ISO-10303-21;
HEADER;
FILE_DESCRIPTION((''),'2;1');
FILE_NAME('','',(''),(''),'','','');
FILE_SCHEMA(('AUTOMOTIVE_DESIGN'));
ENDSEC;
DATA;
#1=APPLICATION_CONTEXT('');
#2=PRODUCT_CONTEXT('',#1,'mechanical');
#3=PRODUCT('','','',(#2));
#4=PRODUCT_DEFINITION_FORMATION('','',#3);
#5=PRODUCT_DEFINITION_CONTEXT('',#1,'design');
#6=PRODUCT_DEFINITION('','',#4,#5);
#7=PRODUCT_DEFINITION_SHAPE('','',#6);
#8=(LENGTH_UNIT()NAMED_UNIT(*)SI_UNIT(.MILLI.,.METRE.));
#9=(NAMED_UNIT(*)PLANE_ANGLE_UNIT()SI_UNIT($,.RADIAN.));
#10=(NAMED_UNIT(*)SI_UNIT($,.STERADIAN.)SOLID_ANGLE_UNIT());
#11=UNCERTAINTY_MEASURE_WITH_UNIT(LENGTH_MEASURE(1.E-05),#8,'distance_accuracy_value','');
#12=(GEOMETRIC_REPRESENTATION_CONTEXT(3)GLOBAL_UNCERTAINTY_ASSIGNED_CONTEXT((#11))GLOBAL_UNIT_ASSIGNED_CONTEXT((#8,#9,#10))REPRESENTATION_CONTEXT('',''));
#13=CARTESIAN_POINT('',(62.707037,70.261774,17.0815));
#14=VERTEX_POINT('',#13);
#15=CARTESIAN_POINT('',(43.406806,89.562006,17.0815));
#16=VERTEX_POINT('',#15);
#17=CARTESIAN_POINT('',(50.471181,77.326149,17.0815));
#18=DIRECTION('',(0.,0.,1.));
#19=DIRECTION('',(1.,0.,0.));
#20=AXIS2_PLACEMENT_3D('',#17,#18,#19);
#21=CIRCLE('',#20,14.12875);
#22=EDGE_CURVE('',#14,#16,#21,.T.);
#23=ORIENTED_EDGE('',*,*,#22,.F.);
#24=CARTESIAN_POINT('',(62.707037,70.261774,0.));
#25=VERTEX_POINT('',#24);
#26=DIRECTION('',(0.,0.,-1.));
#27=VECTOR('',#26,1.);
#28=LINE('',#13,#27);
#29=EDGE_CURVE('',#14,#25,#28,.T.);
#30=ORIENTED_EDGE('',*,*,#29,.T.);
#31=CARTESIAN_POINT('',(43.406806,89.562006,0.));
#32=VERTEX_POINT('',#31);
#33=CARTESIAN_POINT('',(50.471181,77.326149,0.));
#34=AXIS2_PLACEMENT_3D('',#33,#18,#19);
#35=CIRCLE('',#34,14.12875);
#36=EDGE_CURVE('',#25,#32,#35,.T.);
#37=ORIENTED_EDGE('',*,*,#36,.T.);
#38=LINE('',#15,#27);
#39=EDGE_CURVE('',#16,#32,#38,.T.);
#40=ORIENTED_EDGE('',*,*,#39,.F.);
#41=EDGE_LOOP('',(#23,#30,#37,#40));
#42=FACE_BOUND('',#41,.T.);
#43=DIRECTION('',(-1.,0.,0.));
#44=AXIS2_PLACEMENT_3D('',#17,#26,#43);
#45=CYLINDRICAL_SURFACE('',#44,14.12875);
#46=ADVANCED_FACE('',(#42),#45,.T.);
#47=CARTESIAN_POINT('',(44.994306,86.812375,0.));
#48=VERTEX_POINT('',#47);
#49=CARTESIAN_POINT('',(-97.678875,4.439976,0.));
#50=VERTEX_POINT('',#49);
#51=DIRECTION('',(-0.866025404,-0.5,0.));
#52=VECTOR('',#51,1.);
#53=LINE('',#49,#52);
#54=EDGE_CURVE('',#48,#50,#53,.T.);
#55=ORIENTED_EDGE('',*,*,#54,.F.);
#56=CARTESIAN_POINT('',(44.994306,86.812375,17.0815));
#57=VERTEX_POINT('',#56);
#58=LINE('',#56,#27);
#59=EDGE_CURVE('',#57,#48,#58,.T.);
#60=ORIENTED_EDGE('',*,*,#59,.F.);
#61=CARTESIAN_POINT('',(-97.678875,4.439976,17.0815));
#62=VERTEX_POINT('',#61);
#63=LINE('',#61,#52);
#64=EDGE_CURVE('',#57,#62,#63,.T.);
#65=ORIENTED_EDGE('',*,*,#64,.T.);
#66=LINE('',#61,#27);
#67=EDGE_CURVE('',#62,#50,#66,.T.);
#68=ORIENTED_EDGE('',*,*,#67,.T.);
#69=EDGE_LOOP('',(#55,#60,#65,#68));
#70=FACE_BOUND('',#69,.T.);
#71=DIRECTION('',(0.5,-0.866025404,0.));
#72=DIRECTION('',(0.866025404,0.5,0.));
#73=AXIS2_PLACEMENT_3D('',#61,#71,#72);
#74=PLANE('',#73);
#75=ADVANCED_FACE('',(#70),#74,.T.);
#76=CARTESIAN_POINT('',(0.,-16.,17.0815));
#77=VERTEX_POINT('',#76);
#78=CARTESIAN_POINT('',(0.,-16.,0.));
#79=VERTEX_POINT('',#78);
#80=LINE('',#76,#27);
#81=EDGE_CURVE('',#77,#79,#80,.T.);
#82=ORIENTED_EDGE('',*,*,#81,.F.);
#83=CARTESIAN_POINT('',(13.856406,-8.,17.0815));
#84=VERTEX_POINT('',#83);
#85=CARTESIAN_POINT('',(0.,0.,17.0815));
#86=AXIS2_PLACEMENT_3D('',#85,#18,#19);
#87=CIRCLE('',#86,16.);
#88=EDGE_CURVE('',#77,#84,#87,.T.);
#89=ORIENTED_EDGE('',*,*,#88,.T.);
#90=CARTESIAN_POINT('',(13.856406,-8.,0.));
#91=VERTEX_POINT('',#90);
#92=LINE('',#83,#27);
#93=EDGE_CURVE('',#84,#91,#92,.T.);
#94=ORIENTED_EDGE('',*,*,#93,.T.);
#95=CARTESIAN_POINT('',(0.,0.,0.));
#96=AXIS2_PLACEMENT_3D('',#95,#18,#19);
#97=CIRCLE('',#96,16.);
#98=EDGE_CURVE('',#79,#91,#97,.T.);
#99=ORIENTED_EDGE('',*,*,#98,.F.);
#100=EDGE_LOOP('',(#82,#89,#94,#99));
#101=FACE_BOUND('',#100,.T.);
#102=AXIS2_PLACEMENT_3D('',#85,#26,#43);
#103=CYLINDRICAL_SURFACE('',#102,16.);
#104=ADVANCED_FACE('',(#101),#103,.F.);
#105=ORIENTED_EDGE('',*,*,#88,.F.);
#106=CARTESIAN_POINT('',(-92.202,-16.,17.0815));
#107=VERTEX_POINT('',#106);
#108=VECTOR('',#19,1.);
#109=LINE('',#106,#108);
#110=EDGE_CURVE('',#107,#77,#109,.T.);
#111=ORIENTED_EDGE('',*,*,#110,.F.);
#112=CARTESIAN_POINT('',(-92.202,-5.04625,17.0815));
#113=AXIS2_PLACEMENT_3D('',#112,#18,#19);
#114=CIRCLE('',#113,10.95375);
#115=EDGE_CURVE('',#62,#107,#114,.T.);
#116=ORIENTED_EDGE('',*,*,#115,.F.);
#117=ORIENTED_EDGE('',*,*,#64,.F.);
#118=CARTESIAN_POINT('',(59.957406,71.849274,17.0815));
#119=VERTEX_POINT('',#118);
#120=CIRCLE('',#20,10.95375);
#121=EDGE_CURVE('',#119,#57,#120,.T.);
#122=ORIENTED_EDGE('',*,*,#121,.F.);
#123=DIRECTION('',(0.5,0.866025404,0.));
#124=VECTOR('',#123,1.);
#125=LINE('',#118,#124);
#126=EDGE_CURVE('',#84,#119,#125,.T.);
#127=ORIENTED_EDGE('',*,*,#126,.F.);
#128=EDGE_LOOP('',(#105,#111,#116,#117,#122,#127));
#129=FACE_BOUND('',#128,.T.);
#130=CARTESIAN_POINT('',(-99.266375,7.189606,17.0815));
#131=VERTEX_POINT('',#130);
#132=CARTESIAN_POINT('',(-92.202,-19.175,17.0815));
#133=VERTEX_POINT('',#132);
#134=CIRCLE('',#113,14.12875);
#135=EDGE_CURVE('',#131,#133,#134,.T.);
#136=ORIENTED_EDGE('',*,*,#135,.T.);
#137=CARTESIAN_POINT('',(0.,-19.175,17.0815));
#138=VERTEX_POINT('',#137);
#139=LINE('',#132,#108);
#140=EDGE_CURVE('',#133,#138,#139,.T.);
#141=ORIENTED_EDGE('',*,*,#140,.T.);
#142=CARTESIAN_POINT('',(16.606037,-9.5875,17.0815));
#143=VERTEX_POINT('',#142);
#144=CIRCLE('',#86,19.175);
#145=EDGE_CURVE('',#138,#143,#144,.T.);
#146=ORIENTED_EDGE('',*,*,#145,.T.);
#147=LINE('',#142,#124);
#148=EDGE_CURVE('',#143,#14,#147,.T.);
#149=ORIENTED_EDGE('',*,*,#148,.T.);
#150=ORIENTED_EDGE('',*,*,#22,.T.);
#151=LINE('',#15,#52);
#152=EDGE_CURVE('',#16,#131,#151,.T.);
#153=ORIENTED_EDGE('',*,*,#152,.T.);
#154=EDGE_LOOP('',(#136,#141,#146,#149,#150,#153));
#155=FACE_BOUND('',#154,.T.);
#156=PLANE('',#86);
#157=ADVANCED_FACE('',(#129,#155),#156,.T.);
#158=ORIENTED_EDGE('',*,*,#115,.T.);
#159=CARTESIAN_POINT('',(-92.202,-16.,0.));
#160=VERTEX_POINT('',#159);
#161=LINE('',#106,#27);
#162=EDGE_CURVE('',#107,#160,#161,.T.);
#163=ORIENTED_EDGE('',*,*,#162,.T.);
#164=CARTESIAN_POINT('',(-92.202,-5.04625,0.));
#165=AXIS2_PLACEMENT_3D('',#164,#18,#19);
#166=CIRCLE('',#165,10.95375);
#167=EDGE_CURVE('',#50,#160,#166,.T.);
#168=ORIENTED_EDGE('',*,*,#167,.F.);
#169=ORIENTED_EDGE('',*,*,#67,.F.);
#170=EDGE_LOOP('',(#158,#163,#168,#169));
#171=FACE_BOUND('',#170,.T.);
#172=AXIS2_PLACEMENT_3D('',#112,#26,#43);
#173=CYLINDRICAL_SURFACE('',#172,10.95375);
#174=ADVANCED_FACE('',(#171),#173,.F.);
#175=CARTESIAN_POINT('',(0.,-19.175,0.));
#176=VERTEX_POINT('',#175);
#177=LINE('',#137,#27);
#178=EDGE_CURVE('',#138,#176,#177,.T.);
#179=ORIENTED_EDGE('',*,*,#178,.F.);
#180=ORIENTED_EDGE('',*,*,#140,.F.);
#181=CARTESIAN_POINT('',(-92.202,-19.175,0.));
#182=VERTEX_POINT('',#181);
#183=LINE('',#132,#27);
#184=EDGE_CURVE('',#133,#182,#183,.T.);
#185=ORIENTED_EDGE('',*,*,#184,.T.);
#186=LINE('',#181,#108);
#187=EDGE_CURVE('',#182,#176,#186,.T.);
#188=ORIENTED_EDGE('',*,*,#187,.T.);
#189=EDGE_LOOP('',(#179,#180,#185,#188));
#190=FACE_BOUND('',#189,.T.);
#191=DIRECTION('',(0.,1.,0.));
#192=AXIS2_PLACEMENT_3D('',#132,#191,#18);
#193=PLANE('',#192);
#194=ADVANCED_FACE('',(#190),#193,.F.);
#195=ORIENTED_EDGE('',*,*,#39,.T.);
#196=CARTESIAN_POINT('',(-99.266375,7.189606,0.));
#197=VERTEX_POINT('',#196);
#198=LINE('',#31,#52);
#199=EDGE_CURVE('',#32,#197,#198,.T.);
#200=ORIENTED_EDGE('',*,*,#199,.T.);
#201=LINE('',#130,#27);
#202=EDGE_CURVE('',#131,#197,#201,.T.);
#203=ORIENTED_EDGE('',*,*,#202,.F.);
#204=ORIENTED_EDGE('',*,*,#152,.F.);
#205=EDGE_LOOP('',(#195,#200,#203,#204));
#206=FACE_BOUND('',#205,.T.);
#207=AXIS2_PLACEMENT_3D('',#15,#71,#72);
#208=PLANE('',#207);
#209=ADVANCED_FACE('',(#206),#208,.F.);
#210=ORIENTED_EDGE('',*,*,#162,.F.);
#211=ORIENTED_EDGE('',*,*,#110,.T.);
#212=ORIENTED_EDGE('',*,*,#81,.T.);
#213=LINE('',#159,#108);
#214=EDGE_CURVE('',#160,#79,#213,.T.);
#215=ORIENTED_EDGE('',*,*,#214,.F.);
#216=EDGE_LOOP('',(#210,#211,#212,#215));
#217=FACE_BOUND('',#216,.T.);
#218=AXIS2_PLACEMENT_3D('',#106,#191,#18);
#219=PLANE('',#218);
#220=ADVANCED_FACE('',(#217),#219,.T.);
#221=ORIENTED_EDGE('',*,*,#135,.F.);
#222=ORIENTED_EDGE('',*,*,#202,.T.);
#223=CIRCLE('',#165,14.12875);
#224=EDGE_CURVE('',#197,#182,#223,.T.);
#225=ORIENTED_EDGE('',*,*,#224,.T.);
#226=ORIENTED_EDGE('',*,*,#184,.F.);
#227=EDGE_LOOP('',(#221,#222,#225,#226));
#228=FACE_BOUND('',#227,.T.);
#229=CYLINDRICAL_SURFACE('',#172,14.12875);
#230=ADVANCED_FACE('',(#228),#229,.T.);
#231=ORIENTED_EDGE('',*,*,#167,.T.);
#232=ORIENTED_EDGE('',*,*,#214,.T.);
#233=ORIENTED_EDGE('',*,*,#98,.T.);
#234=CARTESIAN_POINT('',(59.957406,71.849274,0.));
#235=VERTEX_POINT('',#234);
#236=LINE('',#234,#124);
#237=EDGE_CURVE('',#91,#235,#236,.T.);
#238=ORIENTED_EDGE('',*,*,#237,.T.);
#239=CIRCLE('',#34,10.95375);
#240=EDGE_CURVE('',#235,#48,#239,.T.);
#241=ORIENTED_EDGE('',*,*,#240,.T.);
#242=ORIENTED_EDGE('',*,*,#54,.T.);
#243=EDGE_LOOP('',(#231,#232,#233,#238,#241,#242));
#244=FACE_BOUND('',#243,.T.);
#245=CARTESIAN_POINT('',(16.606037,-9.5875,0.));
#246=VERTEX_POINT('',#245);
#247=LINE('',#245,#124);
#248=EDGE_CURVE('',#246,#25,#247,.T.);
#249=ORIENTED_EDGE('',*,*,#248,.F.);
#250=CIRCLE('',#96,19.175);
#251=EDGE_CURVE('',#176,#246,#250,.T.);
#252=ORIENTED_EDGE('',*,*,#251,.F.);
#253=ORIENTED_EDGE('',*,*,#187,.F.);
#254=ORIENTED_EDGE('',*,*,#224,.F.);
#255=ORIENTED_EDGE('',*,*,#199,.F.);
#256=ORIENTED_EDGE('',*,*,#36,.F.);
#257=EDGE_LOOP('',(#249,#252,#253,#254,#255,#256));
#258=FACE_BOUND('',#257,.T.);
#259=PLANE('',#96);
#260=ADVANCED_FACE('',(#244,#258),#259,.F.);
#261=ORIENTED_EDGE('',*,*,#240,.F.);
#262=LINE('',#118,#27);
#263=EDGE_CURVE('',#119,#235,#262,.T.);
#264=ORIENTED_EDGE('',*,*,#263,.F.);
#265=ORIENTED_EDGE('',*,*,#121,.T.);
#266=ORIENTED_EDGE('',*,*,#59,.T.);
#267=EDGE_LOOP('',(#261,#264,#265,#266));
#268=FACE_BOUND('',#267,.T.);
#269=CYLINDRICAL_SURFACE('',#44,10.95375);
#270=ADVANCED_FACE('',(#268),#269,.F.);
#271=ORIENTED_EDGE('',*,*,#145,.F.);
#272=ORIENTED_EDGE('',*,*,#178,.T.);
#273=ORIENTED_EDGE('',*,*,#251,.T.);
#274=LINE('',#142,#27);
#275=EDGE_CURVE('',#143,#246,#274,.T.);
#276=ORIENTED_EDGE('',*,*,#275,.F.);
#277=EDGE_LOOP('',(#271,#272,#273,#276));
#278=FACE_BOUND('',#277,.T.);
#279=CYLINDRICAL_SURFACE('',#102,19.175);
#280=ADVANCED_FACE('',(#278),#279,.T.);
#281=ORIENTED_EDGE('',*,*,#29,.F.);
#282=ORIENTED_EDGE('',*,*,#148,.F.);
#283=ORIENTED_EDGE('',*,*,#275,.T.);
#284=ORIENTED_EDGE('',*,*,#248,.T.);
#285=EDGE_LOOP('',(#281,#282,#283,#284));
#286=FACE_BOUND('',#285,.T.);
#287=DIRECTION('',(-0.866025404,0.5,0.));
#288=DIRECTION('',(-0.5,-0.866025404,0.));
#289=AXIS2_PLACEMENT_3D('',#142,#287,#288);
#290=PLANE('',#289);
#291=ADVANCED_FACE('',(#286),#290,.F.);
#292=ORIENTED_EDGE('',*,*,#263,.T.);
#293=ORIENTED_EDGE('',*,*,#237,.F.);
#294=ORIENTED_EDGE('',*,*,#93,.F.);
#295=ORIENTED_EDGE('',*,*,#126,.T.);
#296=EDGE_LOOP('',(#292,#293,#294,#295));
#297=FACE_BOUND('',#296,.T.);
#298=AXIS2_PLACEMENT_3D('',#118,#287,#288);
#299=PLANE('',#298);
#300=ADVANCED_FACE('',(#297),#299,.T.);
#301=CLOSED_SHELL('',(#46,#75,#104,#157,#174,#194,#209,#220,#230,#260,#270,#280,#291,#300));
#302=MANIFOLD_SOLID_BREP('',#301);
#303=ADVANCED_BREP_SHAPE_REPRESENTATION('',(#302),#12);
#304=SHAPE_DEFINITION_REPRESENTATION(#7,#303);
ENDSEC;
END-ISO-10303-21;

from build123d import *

# Parameters (mm, degrees)
BOSS_EXTRUDE1_DEPTH = 17.0815


with BuildPart() as part:
    # Sketch1 → Boss-Extrude1 (new body)
    with BuildSketch(Plane.XY):
        with BuildLine():
            Line((43.406805694, 89.562005703), (-99.266375, 7.189606424))
            ThreePointArc((-99.266375, 7.189606424), (-105.849324518, -8.703039583), (-92.202, -19.175))
            Line((-92.202, -19.175), (0, -19.175))
            ThreePointArc((0, -19.175), (9.5875, -16.606037118), (16.606037118, -9.5875))
            Line((16.606037118, -9.5875), (62.707037118, 70.26177428))
            ThreePointArc((62.707037118, 70.26177428), (60.461715629, 87.316684214), (43.406805694, 89.562005703))
        make_face()
        with BuildLine():
            Line((-92.202, -16), (0, -16))
            ThreePointArc((0, -16), (8, -13.856406461), (13.856406461, -8))
            Line((13.856406461, -8), (59.957406461, 71.84927428))
            ThreePointArc((59.957406461, 71.84927428), (58.216651598, 85.071620184), (44.994305694, 86.812375046))
            Line((44.994305694, 86.812375046), (-97.678875, 4.439975767))
            ThreePointArc((-97.678875, 4.439975767), (-102.78251002, -7.881289115), (-92.202, -16))
        make_face(mode=Mode.SUBTRACT)
    extrude(amount=BOSS_EXTRUDE1_DEPTH)


solid = part.part
